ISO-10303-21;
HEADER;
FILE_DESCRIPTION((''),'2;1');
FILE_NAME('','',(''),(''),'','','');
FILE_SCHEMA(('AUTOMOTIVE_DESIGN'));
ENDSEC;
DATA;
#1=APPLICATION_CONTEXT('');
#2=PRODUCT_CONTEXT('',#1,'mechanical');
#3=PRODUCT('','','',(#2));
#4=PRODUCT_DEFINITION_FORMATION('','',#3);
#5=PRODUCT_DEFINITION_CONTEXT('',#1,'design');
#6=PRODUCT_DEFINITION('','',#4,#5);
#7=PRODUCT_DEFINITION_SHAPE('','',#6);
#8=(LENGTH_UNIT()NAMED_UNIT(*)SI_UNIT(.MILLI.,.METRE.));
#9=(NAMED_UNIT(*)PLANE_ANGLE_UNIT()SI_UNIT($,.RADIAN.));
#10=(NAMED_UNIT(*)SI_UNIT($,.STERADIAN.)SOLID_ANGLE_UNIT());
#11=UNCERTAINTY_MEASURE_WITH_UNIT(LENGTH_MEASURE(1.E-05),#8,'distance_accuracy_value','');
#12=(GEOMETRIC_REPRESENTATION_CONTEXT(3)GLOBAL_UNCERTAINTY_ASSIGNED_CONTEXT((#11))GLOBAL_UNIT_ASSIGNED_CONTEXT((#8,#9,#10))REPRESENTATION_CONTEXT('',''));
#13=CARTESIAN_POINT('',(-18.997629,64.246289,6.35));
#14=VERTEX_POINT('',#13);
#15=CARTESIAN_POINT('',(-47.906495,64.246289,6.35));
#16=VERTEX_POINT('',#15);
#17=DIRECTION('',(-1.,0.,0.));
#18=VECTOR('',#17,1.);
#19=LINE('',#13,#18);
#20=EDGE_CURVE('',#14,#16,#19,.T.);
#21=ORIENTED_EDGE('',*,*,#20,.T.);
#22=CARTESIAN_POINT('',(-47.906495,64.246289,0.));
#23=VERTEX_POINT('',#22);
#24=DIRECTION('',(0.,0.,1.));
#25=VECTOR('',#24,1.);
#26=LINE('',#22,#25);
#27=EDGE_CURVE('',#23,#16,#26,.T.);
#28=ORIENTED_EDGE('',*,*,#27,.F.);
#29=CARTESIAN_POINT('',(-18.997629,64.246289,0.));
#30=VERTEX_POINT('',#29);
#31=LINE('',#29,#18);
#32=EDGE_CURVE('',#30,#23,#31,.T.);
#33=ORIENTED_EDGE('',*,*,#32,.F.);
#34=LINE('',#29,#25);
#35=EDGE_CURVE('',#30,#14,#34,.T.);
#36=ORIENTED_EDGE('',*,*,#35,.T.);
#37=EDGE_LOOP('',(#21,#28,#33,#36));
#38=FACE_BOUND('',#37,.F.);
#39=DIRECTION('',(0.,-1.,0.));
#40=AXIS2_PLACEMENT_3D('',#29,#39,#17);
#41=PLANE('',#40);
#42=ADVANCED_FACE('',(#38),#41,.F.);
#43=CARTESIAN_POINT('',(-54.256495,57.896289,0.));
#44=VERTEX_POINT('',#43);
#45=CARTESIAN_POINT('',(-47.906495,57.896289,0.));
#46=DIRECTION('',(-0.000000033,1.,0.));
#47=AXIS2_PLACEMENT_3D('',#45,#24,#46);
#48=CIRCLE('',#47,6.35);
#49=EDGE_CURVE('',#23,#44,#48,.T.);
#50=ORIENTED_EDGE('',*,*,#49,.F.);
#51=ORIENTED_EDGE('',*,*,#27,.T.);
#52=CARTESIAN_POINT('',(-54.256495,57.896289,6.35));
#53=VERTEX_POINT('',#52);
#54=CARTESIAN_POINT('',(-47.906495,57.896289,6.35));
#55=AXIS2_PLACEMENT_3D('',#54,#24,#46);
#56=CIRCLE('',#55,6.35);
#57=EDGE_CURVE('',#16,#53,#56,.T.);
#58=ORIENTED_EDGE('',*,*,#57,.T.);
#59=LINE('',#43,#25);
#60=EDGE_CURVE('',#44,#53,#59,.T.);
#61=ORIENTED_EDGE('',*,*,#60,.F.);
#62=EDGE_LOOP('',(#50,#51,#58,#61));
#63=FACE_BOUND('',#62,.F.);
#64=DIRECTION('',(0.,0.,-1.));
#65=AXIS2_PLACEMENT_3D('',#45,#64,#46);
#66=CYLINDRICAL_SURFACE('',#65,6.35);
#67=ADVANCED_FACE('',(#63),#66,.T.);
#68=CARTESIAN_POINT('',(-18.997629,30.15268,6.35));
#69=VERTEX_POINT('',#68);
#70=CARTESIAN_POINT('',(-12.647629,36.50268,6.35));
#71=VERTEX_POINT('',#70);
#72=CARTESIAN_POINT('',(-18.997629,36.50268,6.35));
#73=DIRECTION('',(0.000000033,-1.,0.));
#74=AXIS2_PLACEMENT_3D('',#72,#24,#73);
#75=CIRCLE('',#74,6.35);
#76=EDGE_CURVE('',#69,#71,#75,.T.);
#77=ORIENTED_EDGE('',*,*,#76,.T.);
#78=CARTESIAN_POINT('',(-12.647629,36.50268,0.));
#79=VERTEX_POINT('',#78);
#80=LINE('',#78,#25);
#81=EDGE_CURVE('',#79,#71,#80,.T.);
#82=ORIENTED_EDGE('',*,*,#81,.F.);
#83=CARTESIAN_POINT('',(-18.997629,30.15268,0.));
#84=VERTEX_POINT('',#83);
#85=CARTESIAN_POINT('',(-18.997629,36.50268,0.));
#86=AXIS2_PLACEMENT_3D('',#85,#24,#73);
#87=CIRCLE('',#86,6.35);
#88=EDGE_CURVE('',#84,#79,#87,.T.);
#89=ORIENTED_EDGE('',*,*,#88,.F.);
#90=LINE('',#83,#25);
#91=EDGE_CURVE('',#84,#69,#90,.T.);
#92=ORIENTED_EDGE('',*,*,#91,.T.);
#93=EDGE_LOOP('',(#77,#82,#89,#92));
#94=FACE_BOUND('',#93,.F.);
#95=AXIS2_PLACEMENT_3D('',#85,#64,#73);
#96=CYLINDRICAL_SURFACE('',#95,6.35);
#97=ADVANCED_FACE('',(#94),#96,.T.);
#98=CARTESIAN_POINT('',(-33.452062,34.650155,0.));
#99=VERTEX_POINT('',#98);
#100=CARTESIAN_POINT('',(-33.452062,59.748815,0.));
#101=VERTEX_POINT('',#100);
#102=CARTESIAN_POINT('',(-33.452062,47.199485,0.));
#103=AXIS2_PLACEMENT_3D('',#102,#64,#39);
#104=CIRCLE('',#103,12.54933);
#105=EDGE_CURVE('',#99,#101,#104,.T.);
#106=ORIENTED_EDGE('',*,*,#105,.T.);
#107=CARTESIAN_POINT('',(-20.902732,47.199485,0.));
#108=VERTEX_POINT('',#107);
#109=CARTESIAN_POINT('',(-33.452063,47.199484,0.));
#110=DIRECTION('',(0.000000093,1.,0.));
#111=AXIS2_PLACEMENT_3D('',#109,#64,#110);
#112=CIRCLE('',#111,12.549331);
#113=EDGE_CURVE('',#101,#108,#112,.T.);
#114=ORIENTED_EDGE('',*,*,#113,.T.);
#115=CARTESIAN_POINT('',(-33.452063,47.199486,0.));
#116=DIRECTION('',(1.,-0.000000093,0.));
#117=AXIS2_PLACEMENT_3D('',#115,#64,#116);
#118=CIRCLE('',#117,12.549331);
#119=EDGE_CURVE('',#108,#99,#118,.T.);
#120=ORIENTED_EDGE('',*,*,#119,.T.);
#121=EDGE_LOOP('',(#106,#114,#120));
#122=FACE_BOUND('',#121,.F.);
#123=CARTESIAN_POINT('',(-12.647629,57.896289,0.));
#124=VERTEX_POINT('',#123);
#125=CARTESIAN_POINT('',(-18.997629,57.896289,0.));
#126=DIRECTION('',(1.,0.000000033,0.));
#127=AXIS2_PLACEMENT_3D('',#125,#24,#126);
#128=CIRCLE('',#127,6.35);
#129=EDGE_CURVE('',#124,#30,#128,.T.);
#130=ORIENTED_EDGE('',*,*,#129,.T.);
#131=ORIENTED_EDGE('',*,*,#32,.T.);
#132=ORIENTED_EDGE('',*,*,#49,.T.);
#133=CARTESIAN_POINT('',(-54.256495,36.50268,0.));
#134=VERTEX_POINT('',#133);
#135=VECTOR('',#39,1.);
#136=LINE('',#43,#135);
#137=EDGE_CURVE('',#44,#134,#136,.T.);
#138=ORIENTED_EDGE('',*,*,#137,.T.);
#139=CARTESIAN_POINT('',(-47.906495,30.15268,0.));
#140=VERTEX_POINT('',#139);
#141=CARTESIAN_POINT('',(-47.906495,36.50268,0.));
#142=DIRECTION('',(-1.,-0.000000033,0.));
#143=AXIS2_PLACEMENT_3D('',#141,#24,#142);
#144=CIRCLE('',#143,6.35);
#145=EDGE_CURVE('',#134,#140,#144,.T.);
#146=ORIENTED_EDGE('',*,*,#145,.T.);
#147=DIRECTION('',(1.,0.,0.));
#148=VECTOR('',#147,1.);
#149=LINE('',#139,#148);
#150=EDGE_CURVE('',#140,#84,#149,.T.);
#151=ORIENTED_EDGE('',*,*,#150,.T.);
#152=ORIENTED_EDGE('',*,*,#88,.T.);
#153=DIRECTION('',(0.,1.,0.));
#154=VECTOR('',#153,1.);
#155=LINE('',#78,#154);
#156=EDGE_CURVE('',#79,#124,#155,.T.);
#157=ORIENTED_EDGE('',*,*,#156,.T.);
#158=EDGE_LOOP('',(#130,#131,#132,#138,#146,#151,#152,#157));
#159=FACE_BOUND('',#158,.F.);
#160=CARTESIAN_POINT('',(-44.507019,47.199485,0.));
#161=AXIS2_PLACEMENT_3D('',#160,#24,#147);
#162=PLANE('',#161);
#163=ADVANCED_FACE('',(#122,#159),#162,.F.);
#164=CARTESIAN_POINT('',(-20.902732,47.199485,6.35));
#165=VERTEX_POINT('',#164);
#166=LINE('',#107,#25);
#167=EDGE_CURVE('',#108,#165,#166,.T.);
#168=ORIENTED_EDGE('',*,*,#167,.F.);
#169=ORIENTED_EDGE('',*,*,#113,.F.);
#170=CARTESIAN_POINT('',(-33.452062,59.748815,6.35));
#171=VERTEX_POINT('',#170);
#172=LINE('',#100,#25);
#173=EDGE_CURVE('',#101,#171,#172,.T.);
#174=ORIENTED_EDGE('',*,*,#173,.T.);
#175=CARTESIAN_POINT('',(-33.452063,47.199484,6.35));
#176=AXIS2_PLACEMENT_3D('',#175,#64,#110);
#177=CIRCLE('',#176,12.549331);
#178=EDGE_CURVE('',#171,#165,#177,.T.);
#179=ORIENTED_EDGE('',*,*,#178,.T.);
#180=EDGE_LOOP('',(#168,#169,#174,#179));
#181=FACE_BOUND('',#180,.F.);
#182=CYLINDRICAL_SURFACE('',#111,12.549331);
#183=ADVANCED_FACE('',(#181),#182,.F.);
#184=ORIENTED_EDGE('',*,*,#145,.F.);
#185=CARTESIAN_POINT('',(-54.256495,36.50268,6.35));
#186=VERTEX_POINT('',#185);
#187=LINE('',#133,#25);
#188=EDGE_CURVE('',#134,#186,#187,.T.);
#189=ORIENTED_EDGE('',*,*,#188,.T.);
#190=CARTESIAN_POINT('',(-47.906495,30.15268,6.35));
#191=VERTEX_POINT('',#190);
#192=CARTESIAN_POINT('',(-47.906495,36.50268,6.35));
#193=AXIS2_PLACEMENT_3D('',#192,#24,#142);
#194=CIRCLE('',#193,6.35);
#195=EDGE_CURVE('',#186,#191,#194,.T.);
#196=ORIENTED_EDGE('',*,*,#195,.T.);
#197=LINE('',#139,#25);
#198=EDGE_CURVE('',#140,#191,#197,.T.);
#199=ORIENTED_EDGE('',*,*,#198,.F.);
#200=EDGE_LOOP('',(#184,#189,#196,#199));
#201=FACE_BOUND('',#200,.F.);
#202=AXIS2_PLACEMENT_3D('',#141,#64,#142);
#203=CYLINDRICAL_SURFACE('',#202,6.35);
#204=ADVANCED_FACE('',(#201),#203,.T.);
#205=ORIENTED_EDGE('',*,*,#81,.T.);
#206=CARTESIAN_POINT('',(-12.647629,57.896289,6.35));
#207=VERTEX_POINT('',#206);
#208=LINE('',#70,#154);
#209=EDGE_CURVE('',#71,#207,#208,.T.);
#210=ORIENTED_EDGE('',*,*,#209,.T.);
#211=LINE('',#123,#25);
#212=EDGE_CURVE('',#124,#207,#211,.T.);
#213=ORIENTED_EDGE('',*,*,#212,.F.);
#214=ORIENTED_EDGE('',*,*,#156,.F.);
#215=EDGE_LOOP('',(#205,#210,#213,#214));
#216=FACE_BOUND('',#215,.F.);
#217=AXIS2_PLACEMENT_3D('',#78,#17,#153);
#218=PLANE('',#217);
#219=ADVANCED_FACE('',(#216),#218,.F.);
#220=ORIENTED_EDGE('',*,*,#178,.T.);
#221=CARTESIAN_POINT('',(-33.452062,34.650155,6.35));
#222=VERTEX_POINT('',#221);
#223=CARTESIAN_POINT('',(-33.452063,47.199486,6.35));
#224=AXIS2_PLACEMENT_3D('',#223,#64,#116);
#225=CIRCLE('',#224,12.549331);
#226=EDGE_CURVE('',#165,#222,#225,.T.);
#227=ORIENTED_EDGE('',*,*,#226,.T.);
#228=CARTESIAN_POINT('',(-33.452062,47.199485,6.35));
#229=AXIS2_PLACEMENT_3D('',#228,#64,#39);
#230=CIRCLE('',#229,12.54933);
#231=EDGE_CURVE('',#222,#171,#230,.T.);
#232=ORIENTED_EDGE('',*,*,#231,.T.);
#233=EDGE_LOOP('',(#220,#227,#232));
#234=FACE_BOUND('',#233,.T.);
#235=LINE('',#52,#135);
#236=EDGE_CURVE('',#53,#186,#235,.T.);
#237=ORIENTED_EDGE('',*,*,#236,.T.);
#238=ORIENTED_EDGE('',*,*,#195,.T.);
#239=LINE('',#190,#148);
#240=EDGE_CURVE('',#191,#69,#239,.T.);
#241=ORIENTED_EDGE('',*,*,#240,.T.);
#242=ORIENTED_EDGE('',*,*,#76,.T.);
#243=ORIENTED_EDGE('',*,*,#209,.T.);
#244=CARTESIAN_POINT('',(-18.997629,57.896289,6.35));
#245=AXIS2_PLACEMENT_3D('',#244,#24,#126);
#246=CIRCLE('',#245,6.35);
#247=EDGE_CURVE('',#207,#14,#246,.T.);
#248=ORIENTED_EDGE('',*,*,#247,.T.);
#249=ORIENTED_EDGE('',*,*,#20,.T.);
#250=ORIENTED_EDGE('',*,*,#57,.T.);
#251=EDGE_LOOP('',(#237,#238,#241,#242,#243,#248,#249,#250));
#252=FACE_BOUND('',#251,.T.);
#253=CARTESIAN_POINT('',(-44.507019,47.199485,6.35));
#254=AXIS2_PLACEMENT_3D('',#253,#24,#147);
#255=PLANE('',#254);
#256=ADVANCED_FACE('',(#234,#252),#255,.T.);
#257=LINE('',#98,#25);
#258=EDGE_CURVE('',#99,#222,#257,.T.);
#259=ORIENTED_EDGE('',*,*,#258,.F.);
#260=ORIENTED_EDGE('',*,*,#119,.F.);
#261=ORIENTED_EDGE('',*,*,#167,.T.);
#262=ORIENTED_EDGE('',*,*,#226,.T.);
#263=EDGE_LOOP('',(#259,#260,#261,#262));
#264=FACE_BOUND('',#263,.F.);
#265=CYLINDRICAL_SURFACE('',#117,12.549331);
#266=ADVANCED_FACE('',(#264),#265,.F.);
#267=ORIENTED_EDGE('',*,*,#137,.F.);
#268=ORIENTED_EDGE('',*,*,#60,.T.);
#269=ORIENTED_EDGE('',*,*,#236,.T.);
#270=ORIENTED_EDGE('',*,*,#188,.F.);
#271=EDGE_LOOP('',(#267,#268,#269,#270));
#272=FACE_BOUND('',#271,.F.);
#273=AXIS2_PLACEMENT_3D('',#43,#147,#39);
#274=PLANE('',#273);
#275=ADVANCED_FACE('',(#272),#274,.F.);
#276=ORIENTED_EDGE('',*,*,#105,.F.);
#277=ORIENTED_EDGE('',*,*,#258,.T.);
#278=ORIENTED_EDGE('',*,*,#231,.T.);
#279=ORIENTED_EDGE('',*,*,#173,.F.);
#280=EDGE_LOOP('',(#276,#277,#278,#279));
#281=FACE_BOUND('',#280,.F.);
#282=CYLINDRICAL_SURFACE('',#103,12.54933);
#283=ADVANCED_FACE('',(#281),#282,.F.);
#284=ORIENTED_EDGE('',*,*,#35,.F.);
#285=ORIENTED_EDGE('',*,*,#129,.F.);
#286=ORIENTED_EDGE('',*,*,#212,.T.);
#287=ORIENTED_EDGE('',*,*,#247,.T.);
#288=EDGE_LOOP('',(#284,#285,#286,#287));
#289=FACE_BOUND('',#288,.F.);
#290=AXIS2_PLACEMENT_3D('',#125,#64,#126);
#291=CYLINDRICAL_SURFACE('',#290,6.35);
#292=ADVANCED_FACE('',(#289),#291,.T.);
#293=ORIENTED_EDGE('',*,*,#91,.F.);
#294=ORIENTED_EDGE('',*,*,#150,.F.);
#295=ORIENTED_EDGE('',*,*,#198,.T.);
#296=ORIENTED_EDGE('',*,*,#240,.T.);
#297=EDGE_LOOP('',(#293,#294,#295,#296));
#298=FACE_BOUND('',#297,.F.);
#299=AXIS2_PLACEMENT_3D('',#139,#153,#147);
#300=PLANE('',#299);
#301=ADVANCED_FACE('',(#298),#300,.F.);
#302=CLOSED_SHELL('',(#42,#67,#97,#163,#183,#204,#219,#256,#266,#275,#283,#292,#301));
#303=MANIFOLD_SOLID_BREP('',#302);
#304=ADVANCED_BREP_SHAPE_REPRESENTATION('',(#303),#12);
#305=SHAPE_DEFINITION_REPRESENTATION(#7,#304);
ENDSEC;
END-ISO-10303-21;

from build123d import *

# Parameters (mm, degrees)
F1_DEPTH = 6.35


with BuildPart() as f1:
    # F0 (on Top) → F1 (new body)
    with BuildSketch(Plane.XY):
        with BuildLine():
            Line((-33.452062, 64.246289), (-47.906495, 64.246289))
            ThreePointArc((-47.906495, 64.246289), (-52.396623, 62.386417), (-54.256495, 57.896289))
            Line((-54.256495, 57.896289), (-54.256495, 36.50268))
            ThreePointArc((-54.256495, 36.50268), (-52.396623, 32.012552), (-47.906495, 30.15268))
            Line((-47.906495, 30.15268), (-33.452062, 30.15268))
            Line((-33.452062, 30.15268), (-33.452062, 34.650155))
            ThreePointArc((-33.452062, 34.650155), (-46.001392, 47.199485), (-33.452062, 59.748815))
            Line((-33.452062, 59.748815), (-33.452062, 64.246289))
        make_face()
        with BuildLine():
            Line((-18.997629, 64.246289), (-33.452062, 64.246289))
            Line((-33.452062, 64.246289), (-33.452062, 59.748815))
            ThreePointArc((-33.452062, 59.748815), (-24.578346, 56.073201), (-20.902732, 47.199485))
            ThreePointArc((-20.902732, 47.199485), (-24.578346, 38.325769), (-33.452062, 34.650155))
            Line((-33.452062, 34.650155), (-33.452062, 30.15268))
            Line((-33.452062, 30.15268), (-18.997629, 30.15268))
            ThreePointArc((-18.997629, 30.15268), (-14.507501, 32.012552), (-12.647629, 36.50268))
            Line((-12.647629, 36.50268), (-12.647629, 57.896289))
            ThreePointArc((-12.647629, 57.896289), (-14.507501, 62.386417), (-18.997629, 64.246289))
        make_face()
    extrude(amount=F1_DEPTH)


solid = f1.part
